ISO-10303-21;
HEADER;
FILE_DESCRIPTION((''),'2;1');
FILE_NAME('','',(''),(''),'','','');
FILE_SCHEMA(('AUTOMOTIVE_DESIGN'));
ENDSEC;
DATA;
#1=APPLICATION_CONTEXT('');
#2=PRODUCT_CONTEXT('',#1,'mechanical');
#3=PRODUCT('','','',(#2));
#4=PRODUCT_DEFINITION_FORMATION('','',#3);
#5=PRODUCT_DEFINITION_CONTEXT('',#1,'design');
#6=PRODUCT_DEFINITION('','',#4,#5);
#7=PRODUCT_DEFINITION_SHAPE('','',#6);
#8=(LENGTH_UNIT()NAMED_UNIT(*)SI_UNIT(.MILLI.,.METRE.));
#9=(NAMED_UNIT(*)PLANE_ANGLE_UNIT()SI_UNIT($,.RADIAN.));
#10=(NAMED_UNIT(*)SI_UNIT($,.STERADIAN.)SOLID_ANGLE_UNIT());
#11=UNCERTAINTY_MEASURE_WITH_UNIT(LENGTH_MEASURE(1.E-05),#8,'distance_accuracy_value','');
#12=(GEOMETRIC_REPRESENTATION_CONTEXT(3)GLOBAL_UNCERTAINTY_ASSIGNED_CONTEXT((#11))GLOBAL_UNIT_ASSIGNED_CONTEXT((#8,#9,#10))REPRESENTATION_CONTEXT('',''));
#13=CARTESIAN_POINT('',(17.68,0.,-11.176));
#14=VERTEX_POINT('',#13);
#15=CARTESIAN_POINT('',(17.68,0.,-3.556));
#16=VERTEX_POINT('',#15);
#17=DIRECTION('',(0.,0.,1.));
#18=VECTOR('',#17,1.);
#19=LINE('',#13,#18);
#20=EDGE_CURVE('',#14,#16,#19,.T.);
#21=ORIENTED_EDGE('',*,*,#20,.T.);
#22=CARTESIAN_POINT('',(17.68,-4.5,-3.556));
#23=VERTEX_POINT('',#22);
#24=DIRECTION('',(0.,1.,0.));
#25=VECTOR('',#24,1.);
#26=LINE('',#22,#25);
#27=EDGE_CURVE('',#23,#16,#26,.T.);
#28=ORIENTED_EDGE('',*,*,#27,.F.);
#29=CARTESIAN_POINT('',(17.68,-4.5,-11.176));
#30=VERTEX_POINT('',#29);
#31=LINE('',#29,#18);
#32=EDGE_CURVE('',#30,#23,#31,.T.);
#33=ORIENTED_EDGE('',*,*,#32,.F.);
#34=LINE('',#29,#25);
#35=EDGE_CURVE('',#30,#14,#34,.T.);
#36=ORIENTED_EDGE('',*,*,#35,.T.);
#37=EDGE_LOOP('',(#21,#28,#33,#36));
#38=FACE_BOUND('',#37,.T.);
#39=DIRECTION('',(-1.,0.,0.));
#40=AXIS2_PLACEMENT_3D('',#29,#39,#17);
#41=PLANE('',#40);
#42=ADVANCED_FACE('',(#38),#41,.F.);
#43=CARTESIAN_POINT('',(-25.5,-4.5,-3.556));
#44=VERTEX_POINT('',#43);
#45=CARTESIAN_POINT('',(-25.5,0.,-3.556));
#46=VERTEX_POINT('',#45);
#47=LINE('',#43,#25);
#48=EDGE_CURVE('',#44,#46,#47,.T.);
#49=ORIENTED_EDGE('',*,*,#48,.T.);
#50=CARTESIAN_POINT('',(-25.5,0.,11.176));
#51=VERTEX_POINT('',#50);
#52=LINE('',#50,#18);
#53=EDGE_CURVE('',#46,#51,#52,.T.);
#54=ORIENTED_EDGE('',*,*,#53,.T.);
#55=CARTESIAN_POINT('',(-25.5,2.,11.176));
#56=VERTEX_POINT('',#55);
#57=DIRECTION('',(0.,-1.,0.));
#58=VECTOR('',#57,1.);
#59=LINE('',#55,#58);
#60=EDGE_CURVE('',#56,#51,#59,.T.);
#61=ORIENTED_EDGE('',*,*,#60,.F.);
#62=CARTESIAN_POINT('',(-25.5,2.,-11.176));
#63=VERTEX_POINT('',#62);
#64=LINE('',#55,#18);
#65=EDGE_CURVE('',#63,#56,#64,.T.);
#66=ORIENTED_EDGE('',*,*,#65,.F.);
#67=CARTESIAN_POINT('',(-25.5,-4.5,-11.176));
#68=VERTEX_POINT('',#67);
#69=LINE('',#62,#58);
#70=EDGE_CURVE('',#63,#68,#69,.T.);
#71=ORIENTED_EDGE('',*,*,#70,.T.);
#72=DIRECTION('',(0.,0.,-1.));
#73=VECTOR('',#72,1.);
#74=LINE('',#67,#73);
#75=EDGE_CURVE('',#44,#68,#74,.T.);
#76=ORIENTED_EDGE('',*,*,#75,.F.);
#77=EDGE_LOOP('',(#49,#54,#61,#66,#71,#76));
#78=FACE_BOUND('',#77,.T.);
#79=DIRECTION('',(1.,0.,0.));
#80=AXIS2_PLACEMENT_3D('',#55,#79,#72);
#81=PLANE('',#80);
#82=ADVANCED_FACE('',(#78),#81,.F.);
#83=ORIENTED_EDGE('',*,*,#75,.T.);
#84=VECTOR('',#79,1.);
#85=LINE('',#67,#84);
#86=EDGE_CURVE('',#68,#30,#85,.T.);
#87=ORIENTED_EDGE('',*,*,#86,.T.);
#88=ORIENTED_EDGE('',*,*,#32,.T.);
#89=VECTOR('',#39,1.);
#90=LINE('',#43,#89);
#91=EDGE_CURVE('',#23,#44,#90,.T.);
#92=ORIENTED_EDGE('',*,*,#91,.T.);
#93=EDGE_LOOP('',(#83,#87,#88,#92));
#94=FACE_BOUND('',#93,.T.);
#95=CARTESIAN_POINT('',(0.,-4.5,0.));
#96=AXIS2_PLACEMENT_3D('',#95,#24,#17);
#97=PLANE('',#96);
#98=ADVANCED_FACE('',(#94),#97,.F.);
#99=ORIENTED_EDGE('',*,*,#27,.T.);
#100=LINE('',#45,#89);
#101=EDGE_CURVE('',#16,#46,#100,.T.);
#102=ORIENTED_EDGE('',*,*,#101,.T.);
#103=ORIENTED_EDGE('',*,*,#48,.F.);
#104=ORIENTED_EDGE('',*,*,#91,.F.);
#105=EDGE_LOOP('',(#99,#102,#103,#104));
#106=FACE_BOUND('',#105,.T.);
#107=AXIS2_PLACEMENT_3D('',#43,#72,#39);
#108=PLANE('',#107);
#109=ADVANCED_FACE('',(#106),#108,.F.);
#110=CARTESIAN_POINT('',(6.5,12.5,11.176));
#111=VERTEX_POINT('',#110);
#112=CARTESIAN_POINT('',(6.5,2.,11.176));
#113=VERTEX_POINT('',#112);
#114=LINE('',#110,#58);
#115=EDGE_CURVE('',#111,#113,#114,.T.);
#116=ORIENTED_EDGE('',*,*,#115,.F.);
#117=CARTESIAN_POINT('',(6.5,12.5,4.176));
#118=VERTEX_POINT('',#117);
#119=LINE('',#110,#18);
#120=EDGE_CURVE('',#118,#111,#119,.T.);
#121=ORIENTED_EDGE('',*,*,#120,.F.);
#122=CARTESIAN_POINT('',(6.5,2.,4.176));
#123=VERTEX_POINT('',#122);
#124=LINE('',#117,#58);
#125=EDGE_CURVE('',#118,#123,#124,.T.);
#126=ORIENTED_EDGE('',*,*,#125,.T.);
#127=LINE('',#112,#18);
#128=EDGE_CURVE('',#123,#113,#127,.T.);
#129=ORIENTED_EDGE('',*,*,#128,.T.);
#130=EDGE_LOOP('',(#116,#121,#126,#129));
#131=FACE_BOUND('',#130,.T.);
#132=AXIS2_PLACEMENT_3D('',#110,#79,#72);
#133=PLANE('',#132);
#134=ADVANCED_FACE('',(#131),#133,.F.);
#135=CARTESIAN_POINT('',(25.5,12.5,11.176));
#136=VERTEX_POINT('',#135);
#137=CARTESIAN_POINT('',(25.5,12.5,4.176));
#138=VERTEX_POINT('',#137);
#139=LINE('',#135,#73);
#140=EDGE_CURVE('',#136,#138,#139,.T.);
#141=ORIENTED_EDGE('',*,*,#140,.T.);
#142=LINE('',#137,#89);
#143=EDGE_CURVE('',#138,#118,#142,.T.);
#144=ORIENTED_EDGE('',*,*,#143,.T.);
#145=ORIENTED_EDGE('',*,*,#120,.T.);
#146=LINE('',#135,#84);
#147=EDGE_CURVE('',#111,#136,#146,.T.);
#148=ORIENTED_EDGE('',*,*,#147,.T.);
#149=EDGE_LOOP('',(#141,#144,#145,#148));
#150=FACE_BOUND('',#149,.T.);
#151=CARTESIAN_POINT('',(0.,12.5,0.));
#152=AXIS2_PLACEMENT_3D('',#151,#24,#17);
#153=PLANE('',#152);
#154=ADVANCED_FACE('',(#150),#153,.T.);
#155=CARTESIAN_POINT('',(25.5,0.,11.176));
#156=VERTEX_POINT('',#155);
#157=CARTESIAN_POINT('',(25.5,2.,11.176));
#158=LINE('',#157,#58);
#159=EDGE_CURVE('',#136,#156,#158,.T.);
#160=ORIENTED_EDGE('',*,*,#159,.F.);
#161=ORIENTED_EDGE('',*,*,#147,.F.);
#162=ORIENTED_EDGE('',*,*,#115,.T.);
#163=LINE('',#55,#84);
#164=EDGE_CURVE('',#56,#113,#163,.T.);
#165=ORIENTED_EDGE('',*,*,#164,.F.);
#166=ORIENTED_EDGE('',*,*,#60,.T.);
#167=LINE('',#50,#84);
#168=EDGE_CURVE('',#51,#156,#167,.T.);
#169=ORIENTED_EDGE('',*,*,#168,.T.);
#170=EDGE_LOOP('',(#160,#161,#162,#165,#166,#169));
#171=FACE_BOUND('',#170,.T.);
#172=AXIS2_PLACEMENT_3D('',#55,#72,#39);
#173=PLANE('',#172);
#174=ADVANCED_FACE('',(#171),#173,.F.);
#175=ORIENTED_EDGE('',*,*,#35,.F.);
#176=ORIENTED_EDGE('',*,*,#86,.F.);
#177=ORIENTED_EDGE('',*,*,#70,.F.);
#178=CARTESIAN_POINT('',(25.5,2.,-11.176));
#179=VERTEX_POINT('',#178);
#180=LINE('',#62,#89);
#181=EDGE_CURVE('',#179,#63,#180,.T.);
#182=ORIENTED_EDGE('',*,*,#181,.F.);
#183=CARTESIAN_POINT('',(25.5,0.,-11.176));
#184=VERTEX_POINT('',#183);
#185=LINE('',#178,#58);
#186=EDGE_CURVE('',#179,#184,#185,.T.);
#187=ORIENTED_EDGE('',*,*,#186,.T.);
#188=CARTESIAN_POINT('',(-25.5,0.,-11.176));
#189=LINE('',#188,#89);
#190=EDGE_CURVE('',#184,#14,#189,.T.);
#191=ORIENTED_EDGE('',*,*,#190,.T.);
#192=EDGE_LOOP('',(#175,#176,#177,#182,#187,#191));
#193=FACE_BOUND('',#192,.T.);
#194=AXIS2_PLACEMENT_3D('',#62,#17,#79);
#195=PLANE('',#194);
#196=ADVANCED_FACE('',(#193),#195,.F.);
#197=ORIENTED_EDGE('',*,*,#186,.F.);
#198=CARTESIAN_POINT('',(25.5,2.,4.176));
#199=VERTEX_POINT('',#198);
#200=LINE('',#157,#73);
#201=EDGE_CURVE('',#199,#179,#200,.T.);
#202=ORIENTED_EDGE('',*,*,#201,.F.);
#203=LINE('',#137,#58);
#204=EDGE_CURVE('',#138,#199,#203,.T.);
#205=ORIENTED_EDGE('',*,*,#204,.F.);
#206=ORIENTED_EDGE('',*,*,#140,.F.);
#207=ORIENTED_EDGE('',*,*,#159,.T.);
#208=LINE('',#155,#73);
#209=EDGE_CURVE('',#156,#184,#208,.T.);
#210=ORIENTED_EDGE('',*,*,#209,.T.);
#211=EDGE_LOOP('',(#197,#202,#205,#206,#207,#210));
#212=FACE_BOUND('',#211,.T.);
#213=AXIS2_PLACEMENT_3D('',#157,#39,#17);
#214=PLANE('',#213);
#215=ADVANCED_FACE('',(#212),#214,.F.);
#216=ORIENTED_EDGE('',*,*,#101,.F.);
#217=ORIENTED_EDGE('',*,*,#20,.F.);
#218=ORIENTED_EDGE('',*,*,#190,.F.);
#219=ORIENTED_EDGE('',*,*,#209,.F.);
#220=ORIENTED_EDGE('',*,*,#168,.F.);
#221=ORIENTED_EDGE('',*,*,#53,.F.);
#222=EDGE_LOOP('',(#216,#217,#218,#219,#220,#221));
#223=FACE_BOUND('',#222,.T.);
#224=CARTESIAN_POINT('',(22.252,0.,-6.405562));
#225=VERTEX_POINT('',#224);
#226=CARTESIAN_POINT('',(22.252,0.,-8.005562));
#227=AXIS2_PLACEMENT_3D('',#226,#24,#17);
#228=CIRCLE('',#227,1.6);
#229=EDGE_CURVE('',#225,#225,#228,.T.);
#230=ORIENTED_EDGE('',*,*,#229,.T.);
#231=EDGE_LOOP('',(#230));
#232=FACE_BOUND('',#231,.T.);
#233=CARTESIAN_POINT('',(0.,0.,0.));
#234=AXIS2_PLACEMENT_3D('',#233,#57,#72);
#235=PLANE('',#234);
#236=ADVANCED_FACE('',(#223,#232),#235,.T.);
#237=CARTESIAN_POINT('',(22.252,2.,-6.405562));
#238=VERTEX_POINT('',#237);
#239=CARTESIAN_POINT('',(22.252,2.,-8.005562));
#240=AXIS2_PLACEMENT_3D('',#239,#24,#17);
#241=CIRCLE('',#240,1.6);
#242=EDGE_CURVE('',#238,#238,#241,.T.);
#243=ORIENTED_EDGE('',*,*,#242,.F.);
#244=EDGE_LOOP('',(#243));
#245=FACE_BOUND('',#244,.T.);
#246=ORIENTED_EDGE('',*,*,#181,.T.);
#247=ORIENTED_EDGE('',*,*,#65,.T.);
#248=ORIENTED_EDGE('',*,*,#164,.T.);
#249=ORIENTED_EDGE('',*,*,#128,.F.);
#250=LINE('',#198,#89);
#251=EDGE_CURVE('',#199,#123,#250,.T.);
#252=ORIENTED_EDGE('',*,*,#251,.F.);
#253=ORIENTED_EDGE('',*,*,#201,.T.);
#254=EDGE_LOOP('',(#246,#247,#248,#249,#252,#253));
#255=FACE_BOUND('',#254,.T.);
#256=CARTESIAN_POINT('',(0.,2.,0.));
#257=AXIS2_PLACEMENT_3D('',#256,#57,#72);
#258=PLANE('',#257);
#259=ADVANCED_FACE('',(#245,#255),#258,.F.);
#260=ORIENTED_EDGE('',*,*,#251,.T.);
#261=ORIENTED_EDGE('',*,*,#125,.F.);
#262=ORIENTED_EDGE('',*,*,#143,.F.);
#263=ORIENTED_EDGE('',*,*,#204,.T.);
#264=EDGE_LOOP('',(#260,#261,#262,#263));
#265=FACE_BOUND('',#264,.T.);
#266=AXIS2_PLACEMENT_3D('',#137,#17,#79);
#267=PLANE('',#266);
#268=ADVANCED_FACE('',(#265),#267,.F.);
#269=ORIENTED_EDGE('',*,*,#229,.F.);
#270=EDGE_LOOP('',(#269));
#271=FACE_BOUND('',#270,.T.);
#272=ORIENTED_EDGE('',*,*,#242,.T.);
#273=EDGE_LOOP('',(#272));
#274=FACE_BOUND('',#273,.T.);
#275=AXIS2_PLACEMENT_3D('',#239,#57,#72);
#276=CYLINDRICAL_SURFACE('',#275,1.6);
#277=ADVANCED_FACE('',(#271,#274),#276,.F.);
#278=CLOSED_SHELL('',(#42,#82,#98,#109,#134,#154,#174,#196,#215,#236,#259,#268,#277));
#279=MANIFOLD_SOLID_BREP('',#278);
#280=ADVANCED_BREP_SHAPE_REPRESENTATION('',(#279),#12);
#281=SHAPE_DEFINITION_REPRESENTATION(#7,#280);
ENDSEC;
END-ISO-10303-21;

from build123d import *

# Parameters (mm, degrees)
SKETCH1_W           = 51
SKETCH1_H           = 22.352
SKETCH1_R           = 1.6
BOSS_EXTRUDE1_DEPTH = 2
SKETCH2_W           = 19
SKETCH2_H           = 7
BOSS_EXTRUDE2_DEPTH = 10.5
SKETCH3_W           = 43.18
SKETCH3_H           = 7.62
BOSS_EXTRUDE3_DEPTH = 4.5


with BuildPart() as part:
    # Sketch1 → Boss-Extrude1 (new body)
    with BuildSketch(Plane(origin=(0, 0, 0), x_dir=(1, 0, 0), z_dir=(0, 1, 0))):
        Rectangle(SKETCH1_W, SKETCH1_H)
        with Locations(Location((22.252, 8.005562403, 0), (0, 0, 270))):
            Circle(SKETCH1_R, mode=Mode.SUBTRACT)
    extrude(amount=BOSS_EXTRUDE1_DEPTH)

    # Sketch2 → Boss-Extrude2 (add)
    with BuildSketch(Plane(origin=(0, 2, 0), x_dir=(1, 0, 0), z_dir=(0, 1, 0))):
        with Locations((16, -7.676)):
            Rectangle(SKETCH2_W, SKETCH2_H)
    extrude(amount=BOSS_EXTRUDE2_DEPTH)

    # Sketch3 → Boss-Extrude3 (add)
    with BuildSketch(Plane.XZ):
        with Locations((-3.91, -7.366)):
            Rectangle(SKETCH3_W, SKETCH3_H)
    extrude(amount=BOSS_EXTRUDE3_DEPTH)


solid = part.part
